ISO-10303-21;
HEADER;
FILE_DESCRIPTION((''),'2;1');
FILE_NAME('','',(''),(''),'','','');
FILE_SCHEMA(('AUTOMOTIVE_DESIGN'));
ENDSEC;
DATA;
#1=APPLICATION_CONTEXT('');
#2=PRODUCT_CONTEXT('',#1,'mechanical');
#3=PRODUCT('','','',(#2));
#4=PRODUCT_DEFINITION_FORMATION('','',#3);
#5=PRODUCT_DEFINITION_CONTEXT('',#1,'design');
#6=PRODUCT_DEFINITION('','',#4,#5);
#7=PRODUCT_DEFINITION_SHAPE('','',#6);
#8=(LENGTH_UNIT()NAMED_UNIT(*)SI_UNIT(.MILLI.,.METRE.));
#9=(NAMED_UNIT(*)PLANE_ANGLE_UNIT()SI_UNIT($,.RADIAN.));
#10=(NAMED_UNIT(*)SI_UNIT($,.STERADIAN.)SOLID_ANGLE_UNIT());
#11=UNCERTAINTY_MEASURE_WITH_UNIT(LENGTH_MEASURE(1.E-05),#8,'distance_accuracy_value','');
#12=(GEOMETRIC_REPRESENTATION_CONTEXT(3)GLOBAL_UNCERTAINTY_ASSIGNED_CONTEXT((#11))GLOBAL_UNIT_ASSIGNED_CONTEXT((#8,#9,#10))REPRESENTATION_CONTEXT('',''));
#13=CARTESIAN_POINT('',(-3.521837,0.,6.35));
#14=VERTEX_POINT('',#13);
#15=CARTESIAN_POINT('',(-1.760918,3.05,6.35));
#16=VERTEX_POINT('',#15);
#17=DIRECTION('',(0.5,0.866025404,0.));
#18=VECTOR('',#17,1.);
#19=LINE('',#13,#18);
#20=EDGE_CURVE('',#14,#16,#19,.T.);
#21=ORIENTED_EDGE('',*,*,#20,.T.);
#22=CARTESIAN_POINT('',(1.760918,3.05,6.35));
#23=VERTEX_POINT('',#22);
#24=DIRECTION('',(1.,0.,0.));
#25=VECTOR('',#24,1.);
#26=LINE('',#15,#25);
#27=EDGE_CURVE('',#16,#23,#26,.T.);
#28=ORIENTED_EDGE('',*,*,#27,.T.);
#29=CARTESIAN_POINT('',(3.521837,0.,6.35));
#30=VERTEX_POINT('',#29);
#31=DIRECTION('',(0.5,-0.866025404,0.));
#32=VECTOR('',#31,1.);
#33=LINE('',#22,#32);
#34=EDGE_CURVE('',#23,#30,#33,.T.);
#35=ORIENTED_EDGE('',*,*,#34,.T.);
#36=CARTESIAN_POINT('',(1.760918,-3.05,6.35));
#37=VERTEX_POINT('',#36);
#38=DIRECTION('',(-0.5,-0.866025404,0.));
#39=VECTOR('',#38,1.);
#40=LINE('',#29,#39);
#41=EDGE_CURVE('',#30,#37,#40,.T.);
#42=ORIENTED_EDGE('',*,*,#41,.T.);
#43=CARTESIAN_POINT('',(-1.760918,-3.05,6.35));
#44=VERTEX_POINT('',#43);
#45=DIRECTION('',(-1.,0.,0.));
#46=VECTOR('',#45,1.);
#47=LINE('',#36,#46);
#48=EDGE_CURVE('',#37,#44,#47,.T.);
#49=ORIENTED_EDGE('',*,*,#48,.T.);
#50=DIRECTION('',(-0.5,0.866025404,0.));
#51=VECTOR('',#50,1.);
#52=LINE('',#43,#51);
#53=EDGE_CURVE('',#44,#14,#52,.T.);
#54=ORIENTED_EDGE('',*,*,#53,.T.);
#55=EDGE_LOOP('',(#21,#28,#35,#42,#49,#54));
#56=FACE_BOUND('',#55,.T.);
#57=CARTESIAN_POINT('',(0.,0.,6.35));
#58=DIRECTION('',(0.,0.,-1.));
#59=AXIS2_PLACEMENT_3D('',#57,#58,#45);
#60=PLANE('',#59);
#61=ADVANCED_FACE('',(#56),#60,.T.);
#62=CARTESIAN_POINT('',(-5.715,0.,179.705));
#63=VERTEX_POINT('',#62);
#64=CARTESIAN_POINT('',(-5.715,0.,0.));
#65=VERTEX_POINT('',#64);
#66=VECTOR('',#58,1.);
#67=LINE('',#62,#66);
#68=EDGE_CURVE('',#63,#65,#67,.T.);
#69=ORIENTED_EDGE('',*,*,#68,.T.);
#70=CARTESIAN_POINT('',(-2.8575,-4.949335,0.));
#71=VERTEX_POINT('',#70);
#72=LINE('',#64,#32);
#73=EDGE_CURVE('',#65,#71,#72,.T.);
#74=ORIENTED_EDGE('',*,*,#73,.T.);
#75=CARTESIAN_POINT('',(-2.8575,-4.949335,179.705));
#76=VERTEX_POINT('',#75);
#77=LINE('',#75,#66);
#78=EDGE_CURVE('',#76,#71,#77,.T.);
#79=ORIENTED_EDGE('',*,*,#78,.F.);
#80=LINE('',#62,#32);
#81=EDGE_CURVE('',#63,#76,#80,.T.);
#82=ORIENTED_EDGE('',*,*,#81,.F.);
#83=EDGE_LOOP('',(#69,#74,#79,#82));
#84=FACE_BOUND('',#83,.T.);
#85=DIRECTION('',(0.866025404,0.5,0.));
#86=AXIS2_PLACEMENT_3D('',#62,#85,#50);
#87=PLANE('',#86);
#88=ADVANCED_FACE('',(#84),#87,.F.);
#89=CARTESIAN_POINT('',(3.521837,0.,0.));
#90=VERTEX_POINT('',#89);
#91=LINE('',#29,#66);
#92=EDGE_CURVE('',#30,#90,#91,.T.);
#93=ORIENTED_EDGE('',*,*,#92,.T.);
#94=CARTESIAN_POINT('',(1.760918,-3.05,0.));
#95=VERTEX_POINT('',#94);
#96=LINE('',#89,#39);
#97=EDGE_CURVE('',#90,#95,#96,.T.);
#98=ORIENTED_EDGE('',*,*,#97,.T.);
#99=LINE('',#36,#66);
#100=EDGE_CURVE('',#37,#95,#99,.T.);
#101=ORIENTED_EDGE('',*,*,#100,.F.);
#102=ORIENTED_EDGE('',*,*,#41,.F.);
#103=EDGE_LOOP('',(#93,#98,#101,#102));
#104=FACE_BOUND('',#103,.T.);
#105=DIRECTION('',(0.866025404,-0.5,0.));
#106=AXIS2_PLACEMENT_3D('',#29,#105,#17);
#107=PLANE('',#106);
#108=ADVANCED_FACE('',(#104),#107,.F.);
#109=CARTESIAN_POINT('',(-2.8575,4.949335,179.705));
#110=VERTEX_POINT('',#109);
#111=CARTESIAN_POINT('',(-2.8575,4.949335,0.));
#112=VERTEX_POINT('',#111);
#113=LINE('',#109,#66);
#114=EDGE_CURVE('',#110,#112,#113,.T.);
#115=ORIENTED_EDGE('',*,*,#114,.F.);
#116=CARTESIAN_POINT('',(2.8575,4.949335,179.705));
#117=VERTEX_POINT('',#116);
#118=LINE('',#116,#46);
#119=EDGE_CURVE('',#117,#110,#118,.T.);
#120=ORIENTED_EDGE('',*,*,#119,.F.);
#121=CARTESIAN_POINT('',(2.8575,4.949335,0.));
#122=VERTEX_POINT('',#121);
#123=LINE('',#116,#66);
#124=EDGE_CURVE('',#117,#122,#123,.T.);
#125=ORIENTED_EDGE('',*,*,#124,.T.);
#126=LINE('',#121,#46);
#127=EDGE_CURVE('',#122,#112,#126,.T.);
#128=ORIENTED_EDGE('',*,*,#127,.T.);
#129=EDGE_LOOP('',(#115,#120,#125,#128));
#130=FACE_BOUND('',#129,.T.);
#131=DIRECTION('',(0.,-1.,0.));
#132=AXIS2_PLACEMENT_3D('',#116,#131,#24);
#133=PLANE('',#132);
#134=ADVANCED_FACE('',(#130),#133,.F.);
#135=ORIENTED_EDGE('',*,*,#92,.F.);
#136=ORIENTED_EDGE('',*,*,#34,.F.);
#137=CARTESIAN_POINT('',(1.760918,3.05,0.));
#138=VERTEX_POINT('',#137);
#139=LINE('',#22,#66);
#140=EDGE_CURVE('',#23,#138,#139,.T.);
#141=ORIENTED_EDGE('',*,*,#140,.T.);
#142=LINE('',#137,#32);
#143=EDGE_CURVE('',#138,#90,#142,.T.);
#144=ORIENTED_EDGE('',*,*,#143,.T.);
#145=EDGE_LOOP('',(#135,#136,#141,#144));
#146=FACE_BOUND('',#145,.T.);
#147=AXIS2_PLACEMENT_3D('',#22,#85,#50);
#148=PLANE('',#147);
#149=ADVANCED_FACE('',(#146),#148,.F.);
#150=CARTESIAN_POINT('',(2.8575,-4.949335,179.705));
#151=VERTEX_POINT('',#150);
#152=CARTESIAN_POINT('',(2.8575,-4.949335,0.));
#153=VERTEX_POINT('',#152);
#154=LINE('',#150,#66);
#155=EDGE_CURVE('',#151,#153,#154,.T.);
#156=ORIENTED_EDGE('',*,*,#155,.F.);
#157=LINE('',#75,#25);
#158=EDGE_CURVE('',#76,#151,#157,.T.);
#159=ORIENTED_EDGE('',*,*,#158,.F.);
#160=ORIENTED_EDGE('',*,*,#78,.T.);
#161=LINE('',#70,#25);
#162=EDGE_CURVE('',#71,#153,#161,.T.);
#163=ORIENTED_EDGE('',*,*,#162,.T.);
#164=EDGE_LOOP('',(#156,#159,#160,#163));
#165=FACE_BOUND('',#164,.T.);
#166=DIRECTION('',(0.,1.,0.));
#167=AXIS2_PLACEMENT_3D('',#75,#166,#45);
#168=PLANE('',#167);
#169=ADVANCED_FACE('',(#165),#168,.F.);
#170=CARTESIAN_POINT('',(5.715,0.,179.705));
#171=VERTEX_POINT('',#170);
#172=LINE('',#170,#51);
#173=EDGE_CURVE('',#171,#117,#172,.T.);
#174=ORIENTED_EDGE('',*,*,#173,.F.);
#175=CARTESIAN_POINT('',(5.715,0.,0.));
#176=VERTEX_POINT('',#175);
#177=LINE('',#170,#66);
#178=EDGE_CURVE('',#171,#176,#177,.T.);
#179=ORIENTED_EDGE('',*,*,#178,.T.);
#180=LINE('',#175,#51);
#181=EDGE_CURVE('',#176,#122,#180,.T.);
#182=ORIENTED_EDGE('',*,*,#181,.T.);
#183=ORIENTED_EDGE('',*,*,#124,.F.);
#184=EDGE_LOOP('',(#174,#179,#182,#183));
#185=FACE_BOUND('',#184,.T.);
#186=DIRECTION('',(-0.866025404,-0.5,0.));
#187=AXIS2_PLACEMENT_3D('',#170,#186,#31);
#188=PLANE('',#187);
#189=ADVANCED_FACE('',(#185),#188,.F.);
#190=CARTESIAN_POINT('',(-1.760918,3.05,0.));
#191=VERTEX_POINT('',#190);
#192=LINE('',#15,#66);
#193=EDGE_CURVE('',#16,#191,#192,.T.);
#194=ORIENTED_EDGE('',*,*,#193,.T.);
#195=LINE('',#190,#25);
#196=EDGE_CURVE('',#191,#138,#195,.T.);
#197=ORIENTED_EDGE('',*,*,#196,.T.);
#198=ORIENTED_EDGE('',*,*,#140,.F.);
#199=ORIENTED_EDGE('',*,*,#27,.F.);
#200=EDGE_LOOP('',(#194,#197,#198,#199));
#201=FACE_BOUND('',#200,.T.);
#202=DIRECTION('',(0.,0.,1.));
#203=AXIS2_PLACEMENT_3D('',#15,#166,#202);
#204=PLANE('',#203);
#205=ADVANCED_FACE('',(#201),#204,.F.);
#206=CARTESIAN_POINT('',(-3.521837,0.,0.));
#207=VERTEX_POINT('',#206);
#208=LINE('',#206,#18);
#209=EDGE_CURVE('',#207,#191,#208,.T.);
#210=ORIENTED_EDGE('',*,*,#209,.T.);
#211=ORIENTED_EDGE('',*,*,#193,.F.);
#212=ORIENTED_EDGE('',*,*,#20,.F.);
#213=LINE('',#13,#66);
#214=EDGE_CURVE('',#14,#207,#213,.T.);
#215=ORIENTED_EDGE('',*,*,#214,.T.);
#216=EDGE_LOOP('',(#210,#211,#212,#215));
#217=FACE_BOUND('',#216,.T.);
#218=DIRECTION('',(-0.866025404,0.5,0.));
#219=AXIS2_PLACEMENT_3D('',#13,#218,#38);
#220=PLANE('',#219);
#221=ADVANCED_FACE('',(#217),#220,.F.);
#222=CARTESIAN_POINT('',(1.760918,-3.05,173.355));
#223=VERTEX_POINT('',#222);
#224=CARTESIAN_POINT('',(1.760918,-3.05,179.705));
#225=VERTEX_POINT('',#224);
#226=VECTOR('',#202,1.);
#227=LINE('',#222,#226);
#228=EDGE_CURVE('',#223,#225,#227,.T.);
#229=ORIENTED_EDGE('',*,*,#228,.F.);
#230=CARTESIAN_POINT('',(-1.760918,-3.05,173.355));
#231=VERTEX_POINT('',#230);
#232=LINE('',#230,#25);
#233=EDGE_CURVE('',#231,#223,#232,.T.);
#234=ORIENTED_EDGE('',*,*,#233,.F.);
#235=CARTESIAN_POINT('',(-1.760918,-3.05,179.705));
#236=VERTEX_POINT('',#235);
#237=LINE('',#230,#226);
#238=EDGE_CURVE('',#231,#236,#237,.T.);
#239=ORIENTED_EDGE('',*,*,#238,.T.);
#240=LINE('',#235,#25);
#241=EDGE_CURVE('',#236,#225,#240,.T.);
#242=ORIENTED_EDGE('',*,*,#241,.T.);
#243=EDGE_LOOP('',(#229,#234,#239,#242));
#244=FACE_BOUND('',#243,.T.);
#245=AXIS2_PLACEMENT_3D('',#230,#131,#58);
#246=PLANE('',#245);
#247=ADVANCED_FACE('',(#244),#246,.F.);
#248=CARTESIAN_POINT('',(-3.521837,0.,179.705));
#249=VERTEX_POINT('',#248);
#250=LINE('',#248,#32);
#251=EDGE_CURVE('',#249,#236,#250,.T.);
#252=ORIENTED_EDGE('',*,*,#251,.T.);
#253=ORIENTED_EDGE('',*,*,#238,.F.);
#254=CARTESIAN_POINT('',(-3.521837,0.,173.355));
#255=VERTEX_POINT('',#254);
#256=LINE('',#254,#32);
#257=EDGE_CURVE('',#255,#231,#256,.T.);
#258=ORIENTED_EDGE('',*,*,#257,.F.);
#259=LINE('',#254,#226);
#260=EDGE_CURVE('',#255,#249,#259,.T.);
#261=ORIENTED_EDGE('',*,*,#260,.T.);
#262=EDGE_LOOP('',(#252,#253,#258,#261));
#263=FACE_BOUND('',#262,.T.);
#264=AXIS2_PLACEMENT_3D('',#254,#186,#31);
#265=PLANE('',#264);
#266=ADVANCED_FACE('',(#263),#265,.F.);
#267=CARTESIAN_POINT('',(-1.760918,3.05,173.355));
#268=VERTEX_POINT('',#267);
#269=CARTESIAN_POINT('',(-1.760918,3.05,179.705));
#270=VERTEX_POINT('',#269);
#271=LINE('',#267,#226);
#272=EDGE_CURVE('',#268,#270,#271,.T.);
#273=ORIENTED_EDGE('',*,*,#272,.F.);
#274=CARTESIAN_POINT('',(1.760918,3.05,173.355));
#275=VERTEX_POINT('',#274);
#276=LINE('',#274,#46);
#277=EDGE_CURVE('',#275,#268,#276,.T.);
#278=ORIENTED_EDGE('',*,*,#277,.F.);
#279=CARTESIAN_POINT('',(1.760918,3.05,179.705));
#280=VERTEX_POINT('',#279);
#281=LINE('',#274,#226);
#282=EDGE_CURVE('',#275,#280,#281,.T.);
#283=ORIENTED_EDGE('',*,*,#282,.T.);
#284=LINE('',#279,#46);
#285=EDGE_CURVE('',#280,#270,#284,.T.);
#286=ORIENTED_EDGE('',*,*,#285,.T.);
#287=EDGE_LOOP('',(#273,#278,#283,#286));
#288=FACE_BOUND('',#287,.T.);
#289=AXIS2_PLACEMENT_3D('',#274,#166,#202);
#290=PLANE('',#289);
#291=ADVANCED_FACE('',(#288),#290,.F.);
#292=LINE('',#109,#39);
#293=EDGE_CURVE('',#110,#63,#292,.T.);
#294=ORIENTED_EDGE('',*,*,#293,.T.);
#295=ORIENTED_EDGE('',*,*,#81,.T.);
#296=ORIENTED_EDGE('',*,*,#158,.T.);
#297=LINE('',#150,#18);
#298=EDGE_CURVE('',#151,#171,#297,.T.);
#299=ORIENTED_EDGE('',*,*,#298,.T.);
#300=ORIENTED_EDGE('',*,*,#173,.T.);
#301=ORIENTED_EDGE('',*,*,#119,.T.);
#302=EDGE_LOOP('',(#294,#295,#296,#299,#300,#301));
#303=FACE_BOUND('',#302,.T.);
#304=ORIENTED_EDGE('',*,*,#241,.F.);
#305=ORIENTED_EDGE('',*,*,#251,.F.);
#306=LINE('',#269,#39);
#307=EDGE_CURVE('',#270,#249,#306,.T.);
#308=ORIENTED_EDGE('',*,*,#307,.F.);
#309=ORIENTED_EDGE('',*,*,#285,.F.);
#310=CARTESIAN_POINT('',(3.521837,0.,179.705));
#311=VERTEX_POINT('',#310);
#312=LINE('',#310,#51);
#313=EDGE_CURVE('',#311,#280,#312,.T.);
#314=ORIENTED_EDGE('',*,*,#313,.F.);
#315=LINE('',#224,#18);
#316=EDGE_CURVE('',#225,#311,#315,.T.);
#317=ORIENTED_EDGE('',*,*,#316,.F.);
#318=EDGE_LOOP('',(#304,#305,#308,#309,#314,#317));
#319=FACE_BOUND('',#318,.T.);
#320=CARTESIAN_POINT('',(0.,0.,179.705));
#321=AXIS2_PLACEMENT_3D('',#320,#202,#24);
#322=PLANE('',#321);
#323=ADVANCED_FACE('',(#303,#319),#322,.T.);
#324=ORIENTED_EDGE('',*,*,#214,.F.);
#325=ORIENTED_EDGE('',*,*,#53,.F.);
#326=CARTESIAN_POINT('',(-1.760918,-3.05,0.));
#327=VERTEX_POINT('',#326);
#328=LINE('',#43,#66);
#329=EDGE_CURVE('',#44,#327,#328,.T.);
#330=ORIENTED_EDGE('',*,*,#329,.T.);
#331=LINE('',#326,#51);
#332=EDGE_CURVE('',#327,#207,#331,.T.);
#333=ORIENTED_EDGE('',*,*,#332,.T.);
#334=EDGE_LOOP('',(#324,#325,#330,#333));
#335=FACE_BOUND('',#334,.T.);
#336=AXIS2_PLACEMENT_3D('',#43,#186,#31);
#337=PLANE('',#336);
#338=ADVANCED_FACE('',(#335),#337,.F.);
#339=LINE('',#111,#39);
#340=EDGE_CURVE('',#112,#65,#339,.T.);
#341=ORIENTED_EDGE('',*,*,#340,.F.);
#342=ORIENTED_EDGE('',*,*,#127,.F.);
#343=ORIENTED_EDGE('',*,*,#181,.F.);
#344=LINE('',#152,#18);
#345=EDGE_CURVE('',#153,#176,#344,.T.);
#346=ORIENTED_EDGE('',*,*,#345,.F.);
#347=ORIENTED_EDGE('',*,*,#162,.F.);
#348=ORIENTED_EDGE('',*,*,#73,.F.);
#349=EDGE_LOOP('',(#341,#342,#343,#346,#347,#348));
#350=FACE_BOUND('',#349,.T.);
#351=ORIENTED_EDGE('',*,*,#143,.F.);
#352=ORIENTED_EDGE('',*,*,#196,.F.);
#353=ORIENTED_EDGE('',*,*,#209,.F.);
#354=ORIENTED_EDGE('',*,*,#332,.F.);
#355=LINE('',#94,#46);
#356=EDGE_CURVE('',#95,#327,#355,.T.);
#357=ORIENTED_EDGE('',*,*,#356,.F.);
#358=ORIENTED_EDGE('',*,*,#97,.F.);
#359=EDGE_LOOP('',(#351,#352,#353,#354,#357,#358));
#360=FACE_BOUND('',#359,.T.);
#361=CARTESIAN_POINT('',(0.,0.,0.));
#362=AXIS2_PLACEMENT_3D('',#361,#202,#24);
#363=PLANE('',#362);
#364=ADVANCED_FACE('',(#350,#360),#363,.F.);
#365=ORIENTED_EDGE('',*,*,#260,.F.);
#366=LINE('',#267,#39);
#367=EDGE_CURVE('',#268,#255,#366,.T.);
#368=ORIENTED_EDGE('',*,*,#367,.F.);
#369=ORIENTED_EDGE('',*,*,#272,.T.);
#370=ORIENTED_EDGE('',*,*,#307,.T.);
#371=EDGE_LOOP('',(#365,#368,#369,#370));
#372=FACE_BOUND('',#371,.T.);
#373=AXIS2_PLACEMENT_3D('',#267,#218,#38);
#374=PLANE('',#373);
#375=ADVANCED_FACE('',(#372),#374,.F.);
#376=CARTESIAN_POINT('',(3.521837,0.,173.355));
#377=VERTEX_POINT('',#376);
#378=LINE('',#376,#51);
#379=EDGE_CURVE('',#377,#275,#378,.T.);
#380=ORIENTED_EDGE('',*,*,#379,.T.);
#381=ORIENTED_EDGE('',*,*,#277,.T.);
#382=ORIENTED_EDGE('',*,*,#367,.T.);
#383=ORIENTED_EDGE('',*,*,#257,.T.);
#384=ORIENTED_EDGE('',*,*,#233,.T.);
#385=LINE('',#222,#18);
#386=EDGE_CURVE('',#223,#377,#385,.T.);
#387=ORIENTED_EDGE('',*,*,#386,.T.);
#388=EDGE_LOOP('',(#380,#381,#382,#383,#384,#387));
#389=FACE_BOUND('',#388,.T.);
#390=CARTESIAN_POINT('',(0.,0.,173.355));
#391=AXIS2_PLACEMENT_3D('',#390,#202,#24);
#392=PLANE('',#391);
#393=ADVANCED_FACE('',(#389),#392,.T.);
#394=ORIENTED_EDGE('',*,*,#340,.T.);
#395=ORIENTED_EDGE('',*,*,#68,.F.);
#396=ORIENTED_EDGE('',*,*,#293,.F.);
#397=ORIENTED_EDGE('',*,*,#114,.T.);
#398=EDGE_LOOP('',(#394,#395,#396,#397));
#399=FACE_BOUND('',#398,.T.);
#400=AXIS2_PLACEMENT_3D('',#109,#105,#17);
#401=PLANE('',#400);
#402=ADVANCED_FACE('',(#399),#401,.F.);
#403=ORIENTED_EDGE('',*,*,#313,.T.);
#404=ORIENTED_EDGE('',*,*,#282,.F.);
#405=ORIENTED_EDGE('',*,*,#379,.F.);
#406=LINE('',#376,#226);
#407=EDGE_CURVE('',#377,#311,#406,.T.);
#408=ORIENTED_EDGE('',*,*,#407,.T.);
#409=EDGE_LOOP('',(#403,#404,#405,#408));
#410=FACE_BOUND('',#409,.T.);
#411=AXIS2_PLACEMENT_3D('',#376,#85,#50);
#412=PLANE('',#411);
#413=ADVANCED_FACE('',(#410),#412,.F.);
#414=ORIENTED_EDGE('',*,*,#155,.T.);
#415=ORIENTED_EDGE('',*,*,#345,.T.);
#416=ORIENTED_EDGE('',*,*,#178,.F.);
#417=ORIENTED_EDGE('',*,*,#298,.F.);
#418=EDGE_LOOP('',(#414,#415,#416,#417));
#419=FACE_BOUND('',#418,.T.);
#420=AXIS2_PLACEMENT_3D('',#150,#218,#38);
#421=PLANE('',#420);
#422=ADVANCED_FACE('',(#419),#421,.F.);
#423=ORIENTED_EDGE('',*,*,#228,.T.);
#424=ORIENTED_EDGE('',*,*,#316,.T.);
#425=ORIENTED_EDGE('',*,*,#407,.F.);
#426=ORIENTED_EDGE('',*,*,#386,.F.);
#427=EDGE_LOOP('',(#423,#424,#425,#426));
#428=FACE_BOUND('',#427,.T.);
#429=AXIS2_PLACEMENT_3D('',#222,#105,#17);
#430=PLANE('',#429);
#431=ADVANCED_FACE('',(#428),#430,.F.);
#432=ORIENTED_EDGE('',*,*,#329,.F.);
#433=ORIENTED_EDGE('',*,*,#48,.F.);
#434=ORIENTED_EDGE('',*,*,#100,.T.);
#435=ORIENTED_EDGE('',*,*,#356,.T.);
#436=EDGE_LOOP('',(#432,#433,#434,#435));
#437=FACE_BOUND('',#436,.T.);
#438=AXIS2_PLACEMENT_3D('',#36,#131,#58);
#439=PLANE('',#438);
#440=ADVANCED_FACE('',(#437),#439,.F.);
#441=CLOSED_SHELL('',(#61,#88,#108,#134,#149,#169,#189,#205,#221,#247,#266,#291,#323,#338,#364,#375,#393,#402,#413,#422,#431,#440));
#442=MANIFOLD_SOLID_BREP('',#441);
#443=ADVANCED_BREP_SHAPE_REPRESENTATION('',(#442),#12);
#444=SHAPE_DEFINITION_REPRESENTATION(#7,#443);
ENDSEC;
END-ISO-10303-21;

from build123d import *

# Parameters (mm, degrees)
BOSS_EXTRUDE1_DEPTH = 179.705
CUT_EXTRUDE1_DEPTH  = 6.35
CUT_EXTRUDE2_DEPTH  = 6.35


with BuildPart() as part:
    # Sketch1 → Boss-Extrude1 (new body)
    with BuildSketch(Plane.XY):
        Polygon((5.715, 0), (2.8575, 4.949335183), (-2.8575, 4.949335183), (-5.715, 0), (-2.8575, -4.949335183), (2.8575, -4.949335183), align=None)
    extrude(amount=BOSS_EXTRUDE1_DEPTH)

    # Sketch2 → Cut-Extrude1 (cut)
    with BuildSketch(Plane.XY.offset(179.705)):
        Polygon((3.521836637, 0), (1.760918319, 3.049999996), (-1.760918319, 3.049999996), (-3.521836637, 0), (-1.760918319, -3.049999996), (1.760918319, -3.049999996), align=None)
    extrude(amount=-CUT_EXTRUDE1_DEPTH, mode=Mode.SUBTRACT)

    # Sketch3 → Cut-Extrude2 (cut)
    with BuildSketch(Plane(origin=(0, 0, 0), x_dir=(-1, 0, 0), z_dir=(0, 0, -1))):
        Polygon((1.760918319, 3.049999996), (-1.760918319, 3.049999996), (-3.521836637, 0), (-1.760918319, -3.049999996), (1.760918319, -3.049999996), (3.521836637, 0), align=None)
    extrude(amount=-CUT_EXTRUDE2_DEPTH, mode=Mode.SUBTRACT)


solid = part.part
